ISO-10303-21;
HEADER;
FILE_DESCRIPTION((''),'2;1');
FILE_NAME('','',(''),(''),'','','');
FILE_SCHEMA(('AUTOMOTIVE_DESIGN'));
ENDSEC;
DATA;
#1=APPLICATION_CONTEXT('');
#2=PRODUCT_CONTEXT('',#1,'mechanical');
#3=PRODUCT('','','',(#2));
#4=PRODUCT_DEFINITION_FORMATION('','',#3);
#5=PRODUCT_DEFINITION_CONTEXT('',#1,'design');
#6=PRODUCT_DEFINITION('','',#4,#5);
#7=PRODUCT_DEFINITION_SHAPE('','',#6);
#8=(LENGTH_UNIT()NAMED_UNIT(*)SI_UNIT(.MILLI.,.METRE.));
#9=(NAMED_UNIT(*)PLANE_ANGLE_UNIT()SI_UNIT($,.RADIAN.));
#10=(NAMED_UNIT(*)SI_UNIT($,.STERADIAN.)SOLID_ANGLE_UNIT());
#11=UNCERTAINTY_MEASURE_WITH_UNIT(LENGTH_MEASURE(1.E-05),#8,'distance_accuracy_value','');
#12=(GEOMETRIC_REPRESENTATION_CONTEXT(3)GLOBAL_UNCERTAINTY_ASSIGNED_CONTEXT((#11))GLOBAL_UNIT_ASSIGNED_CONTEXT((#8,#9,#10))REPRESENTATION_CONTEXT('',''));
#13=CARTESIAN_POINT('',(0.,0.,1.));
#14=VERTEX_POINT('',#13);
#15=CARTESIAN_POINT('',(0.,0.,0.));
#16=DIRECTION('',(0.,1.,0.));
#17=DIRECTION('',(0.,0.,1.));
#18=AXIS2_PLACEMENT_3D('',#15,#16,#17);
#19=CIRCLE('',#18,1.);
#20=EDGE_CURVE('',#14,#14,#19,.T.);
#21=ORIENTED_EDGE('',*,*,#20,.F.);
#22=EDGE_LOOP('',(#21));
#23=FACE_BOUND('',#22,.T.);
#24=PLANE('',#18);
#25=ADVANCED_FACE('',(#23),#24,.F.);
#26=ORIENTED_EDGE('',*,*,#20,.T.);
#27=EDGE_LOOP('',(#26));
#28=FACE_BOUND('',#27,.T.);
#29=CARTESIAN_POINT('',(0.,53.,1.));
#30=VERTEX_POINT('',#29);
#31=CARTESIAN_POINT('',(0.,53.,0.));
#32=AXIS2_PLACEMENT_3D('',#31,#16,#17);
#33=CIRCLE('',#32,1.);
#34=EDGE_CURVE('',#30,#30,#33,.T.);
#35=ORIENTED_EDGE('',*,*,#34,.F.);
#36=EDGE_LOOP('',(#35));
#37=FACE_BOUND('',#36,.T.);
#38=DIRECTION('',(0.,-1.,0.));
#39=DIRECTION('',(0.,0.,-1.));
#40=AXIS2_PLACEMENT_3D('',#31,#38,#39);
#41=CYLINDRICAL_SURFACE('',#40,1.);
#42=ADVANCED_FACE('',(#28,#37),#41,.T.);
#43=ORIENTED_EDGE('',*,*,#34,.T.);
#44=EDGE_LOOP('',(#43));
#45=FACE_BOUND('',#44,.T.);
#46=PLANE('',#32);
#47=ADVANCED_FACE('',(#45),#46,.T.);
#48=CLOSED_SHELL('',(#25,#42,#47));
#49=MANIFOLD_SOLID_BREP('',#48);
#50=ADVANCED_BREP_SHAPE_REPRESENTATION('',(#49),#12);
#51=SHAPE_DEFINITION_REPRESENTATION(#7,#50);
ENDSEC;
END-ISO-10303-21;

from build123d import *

# Parameters (mm, degrees)
SKETCH_1_R      = 1
EXTRUDE_1_DEPTH = 53


with BuildPart() as part:
    # 草图1 → 凸台-拉伸1 (new body)
    with BuildSketch(Plane(origin=(0, 0, 0), x_dir=(1, 0, 0), z_dir=(0, 1, 0))):
        with Locations(Location((0, 0, 0), (0, 0, 270))):
            Circle(SKETCH_1_R)
    extrude(amount=EXTRUDE_1_DEPTH)


solid = part.part
